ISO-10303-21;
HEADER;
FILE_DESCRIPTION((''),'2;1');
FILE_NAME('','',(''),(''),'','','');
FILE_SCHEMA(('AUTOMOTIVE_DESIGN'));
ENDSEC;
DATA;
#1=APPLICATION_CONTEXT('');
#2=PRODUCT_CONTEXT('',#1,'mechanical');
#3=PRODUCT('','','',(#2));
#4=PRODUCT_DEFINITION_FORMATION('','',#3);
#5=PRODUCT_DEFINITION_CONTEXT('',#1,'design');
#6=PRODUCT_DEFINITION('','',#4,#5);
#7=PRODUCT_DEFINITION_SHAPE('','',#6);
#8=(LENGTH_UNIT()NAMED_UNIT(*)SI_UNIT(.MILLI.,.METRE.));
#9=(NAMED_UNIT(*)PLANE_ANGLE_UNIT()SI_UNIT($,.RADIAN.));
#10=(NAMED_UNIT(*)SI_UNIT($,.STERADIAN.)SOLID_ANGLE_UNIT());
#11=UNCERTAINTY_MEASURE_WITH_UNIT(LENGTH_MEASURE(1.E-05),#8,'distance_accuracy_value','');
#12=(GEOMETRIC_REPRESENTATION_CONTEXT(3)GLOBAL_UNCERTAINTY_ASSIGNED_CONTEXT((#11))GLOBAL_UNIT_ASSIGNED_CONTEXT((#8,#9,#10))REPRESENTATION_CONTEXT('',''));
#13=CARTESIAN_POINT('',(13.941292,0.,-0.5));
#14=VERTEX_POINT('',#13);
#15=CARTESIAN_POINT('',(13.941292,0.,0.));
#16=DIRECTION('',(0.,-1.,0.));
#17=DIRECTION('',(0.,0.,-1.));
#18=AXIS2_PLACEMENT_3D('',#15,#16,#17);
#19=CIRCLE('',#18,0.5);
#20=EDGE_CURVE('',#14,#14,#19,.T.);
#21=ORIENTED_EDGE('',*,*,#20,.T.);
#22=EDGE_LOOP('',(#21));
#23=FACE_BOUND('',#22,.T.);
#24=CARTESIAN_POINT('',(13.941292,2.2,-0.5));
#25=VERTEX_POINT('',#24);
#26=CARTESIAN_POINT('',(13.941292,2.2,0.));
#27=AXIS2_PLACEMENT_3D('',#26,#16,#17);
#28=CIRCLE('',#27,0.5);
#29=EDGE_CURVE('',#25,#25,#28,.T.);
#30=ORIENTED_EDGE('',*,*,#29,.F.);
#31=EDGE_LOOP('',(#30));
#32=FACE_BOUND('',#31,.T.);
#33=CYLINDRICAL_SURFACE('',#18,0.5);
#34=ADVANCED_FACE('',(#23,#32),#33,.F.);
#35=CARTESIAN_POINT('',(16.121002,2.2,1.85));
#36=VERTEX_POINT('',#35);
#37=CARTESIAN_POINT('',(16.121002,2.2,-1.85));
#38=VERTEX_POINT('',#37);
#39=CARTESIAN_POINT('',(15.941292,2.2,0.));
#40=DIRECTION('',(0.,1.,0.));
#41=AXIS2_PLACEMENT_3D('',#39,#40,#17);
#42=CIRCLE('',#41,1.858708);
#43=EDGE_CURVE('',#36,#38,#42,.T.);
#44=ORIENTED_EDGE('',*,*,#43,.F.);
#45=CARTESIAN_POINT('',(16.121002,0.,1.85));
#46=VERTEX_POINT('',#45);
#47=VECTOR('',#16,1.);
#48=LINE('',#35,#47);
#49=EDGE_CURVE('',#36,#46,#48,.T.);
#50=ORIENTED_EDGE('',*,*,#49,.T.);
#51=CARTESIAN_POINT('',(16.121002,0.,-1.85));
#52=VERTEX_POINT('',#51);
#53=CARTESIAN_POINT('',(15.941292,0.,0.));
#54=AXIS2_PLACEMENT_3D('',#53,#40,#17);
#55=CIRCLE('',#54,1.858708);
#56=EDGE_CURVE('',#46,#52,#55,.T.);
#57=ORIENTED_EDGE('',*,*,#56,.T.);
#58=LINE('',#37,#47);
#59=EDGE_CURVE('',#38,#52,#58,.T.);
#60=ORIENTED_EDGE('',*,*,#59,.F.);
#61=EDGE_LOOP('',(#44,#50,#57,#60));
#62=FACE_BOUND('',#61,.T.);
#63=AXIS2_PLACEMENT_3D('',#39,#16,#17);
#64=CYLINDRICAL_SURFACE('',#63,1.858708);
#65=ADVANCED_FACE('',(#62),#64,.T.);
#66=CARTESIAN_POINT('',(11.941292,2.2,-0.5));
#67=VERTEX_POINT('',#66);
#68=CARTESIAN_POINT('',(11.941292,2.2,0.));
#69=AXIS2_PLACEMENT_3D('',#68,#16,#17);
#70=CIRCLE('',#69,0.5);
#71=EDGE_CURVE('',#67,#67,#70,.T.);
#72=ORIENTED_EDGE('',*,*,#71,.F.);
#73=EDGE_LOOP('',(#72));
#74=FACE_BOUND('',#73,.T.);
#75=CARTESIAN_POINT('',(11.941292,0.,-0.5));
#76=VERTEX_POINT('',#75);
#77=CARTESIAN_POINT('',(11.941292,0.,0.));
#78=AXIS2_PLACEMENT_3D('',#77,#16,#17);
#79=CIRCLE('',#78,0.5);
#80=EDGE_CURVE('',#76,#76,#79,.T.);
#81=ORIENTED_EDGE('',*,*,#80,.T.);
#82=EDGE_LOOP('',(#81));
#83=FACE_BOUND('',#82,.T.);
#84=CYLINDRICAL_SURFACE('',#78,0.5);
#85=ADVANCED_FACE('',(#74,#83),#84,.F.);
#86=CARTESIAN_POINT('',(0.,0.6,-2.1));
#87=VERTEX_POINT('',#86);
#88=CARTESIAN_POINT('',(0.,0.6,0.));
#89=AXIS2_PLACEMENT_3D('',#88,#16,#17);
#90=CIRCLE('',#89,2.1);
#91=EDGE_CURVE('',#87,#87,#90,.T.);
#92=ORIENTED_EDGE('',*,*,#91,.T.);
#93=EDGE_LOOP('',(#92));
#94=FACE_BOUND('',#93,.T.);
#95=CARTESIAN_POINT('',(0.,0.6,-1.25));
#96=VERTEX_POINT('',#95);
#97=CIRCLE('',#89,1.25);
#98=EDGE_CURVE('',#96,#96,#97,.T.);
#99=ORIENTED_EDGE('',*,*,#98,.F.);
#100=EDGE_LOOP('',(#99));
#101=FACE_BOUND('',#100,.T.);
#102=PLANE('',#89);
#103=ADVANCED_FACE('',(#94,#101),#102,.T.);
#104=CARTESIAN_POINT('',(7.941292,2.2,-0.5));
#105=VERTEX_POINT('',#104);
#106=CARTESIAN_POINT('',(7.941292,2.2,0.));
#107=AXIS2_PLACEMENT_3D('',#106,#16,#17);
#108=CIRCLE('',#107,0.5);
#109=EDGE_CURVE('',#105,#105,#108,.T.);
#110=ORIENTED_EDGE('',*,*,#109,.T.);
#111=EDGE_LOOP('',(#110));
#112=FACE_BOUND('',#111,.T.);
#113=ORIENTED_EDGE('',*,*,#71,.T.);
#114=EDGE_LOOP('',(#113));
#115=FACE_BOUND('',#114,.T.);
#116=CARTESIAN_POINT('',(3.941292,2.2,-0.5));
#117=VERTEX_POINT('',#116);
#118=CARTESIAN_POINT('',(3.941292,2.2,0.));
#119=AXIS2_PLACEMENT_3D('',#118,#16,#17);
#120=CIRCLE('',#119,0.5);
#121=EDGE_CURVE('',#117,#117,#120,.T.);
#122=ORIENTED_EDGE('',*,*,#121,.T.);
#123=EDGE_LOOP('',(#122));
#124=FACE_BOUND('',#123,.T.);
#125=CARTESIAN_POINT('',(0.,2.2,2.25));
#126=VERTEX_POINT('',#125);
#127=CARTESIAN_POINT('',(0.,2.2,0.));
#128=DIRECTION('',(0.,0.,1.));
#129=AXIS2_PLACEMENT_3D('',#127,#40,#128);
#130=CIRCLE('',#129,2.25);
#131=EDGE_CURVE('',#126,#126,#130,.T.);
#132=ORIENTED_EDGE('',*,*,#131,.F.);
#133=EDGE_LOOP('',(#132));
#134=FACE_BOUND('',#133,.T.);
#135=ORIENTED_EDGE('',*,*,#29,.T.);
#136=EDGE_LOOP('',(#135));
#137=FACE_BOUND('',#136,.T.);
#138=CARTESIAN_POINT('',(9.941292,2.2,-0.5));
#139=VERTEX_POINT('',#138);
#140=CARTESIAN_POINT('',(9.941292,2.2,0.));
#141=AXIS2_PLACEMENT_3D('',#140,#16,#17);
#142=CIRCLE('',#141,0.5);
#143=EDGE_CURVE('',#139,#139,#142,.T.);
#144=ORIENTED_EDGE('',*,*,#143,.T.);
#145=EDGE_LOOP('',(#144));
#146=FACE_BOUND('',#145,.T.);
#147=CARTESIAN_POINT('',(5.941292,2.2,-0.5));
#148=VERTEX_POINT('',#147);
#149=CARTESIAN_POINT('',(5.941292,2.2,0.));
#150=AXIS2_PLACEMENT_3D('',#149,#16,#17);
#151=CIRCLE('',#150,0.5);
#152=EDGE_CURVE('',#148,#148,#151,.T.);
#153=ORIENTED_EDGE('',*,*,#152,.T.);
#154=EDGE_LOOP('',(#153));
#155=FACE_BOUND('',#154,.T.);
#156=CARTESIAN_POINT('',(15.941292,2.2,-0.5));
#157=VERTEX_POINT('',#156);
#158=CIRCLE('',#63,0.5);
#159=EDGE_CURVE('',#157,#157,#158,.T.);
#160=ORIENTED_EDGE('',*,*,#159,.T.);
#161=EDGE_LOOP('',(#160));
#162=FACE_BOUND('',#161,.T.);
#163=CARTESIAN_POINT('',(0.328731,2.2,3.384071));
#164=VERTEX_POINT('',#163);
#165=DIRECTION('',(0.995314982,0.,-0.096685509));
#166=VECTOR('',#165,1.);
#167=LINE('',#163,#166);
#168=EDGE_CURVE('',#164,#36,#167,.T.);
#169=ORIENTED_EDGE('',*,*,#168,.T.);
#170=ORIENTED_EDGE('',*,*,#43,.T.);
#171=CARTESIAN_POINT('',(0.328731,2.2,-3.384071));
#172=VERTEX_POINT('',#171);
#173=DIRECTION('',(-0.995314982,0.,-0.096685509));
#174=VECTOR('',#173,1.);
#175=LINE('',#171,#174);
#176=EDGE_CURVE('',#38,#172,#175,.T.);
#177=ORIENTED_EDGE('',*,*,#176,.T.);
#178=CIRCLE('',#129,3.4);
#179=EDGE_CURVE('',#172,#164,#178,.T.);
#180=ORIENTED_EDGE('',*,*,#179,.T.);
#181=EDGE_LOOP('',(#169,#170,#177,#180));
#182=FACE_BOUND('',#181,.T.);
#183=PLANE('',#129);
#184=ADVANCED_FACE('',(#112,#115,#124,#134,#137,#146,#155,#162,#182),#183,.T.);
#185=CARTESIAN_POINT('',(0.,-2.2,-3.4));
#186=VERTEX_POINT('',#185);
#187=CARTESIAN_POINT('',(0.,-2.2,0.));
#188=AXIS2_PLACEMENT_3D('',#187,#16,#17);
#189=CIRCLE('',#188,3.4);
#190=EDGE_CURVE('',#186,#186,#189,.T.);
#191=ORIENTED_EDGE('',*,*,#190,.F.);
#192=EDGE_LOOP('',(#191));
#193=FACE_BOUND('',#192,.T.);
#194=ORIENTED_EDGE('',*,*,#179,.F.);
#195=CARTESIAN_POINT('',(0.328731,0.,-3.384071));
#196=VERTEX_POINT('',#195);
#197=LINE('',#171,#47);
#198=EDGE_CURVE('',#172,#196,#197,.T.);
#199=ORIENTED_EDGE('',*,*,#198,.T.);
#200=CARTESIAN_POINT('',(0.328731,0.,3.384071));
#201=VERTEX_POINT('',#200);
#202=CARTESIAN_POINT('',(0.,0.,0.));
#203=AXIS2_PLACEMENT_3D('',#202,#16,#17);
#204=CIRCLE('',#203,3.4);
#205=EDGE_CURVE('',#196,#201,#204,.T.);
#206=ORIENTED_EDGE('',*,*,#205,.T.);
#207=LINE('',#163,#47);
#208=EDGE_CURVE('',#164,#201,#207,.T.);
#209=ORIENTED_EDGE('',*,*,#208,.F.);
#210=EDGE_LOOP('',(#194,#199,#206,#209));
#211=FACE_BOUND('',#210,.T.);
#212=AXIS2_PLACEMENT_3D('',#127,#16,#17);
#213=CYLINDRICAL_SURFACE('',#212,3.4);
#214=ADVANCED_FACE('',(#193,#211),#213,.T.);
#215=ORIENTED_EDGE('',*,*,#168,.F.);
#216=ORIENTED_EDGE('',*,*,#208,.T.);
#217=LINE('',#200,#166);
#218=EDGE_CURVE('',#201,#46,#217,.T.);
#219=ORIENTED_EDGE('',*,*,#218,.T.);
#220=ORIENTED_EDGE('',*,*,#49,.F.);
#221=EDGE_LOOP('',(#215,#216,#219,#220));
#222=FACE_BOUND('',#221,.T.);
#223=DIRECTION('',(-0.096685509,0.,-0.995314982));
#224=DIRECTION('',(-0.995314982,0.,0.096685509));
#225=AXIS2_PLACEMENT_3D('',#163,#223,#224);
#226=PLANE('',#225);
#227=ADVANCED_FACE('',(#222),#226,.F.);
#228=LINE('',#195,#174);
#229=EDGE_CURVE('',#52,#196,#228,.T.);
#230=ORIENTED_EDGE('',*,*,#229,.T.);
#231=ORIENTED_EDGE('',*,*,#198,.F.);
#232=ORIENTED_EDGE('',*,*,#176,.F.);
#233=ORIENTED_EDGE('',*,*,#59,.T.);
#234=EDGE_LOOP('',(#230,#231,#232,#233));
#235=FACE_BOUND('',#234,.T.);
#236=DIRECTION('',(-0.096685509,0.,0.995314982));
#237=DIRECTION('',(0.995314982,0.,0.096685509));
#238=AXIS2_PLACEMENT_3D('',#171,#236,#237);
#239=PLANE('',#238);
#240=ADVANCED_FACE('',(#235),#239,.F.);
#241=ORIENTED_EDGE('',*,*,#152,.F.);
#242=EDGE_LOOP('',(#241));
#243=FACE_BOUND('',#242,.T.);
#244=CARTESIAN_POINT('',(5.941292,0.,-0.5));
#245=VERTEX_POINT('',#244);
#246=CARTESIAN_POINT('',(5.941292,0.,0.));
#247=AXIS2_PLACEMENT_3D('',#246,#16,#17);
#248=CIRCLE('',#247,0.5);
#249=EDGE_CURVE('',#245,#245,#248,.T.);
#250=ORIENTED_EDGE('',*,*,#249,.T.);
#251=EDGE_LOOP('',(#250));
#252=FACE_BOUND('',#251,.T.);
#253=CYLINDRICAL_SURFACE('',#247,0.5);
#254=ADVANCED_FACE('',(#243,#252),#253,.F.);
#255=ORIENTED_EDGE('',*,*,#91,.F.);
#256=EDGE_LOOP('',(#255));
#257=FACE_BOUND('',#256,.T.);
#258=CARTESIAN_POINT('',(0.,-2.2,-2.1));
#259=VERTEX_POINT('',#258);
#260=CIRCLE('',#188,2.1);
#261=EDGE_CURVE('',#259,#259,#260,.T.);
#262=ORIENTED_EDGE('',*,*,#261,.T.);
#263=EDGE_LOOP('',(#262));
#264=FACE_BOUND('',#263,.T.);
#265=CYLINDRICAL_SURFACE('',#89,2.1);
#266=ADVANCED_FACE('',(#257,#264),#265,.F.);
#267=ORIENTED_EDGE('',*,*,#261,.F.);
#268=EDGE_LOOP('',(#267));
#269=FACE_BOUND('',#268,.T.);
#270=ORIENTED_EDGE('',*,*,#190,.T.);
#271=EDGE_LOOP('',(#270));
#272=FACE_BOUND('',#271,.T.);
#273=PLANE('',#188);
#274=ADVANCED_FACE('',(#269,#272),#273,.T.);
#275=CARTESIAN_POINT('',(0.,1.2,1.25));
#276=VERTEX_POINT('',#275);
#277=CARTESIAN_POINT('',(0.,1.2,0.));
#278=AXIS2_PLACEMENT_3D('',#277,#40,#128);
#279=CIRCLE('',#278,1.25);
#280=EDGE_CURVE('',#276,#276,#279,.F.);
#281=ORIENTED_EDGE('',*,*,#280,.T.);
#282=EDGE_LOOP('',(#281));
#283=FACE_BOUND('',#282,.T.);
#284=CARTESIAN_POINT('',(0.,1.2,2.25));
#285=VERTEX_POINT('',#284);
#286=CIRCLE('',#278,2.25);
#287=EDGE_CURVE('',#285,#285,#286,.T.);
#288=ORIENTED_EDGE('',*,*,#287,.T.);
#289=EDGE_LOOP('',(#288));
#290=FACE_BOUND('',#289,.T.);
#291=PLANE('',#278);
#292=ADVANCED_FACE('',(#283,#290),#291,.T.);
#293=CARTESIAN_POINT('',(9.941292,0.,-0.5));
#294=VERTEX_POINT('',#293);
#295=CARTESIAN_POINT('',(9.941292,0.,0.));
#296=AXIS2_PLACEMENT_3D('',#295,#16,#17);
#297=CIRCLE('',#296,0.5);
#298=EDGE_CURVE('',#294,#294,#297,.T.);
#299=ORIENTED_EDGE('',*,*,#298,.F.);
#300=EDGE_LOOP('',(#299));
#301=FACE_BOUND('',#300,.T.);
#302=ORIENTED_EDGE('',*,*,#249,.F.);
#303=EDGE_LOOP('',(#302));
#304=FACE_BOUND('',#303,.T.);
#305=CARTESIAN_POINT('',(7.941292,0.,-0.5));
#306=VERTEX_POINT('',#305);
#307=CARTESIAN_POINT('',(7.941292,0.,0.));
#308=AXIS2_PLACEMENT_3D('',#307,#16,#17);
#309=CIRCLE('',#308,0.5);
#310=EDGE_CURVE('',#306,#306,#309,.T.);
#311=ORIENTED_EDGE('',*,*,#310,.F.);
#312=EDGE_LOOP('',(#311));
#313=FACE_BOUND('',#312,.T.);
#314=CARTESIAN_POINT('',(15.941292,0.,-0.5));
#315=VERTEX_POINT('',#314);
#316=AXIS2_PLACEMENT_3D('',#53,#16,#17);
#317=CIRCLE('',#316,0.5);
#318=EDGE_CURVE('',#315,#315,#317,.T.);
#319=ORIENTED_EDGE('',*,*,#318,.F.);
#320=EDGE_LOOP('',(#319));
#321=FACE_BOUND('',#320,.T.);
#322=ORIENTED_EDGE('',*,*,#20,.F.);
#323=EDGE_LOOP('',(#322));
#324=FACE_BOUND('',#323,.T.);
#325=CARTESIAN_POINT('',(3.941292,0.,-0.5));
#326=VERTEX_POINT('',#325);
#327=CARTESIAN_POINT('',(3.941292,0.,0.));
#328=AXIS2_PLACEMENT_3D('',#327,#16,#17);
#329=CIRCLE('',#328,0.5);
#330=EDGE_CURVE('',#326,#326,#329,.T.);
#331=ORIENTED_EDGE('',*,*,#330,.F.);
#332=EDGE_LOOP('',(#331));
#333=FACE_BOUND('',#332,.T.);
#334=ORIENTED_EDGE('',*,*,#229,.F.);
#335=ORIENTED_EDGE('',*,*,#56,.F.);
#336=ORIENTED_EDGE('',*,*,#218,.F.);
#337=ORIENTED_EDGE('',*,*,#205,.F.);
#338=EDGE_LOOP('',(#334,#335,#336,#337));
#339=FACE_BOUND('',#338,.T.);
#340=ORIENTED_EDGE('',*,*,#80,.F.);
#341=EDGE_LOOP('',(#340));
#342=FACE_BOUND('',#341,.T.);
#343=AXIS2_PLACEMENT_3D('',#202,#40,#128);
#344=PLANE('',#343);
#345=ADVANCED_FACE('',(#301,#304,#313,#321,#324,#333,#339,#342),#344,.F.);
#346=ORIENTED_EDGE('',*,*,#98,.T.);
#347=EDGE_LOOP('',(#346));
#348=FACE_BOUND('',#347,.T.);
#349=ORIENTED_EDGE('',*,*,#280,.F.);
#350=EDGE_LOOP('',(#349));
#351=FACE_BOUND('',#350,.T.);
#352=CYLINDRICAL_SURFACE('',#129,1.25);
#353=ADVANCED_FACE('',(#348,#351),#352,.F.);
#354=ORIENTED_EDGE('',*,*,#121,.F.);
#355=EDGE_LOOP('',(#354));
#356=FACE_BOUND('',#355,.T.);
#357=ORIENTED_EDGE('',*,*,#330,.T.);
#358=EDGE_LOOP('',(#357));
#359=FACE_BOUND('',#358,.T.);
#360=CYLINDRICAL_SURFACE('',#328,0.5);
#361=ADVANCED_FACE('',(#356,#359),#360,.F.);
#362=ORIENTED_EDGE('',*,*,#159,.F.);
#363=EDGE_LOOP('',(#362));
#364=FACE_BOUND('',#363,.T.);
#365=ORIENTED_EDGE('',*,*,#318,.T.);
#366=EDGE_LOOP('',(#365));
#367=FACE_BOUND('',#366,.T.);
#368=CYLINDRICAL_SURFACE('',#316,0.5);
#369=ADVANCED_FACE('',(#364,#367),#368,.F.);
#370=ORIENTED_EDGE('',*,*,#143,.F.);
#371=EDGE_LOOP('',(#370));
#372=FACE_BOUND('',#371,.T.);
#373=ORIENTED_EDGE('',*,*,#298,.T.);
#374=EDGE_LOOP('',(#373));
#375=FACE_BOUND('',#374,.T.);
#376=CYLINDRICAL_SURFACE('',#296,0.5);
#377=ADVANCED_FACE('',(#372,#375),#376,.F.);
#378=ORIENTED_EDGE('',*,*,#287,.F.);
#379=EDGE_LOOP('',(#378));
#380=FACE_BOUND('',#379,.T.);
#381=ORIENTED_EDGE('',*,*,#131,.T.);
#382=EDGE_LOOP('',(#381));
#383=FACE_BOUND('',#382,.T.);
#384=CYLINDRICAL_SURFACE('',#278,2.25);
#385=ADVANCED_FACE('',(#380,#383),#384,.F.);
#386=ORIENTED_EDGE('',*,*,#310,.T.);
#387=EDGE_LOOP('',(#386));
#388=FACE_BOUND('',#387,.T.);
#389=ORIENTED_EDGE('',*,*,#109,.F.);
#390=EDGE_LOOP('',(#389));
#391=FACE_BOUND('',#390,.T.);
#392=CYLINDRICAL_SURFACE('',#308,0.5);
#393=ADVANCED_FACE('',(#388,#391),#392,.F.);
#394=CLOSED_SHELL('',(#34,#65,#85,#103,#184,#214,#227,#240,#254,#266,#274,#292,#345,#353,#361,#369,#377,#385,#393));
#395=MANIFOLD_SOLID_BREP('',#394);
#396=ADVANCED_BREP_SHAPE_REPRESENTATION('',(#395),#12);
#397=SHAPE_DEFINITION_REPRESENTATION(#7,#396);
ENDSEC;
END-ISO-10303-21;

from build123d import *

# Parameters (mm, degrees)
BOSS_EXTRU_1_DEPTH              = 2.2
BOSS_EXTRU_2_START              = 2.2
ESQUISSE2_R                     = 3.4
BOSS_EXTRU_2_DEPTH              = 2.2
ESQUISSE3_R                     = 2.1
ENL_V_MAT_EXTRU_1_DEPTH         = 2.8
DIAM_TRE_DU_PER_AGE_2_5_2_5_1_D = 2.5
DIAM_TRE_DU_PER_AGE_1_0_1_1_D   = 1
ESQUISSE8_R                     = 2.25
ENL_V_MAT_EXTRU_2_DEPTH         = 1


with BuildPart() as part:
    # Esquisse1 → Boss.-Extru.1 (new body)
    with BuildSketch(Plane(origin=(0, 0, 0), x_dir=(1, 0, 0), z_dir=(0, 1, 0))):
        with BuildLine():
            Line((0.32873073, 3.384070937), (16.121002055, 1.85))
            ThreePointArc((16.121002055, 1.85), (17.8, 0), (16.121002055, -1.85))
            Line((16.121002055, -1.85), (0.32873073, -3.384070937))
            ThreePointArc((0.32873073, -3.384070937), (-3.4, 0), (0.32873073, 3.384070937))
        make_face()
    extrude(amount=BOSS_EXTRU_1_DEPTH)

    # Esquisse2 → Boss.-Extru.2 (add)
    with BuildSketch(Plane.XZ.offset(BOSS_EXTRU_2_START)):
        with Locations(Location((0, 0, 0), (0, 0, 270))):
            Circle(ESQUISSE2_R)
    extrude(amount=-BOSS_EXTRU_2_DEPTH)

    # Esquisse3 → Enlèv. mat.-Extru.1 (cut)
    with BuildSketch(Plane.XZ.offset(2.2)):
        with Locations(Location((0, 0, 0), (0, 0, 270))):
            Circle(ESQUISSE3_R)
    extrude(amount=-ENL_V_MAT_EXTRU_1_DEPTH, mode=Mode.SUBTRACT)

    # Diamètre du perçage Ø2.5 (2.5)1 (through all)
    with Locations(Plane(origin=(0, 2.2, 0), x_dir=(1, 0, 0), z_dir=(0, 1, 0))):
        with Locations((0, 0)):
            Hole(DIAM_TRE_DU_PER_AGE_2_5_2_5_1_D / 2)

    # Diamètre du perçage Ø1.0 (1)1 (through all)
    with Locations(Plane(origin=(0, 0, 0), x_dir=(-1, 0, 0), z_dir=(0, -1, 0))):
        with Locations((-15.941291918, 0), (-13.941291918, 0), (-11.941291918, 0), (-9.941291918, 0), (-7.941291918, 0), (-5.941291918, 0), (-3.941291918, 0)):
            Hole(DIAM_TRE_DU_PER_AGE_1_0_1_1_D / 2)

    # Esquisse8 → Enlèv. mat.-Extru.2 (cut)
    with BuildSketch(Plane(origin=(0, 2.2, 0), x_dir=(1, 0, 0), z_dir=(0, 1, 0))):
        with Locations(Location((0, 0, 0), (0, 0, 270))):
            Circle(ESQUISSE8_R)
    extrude(amount=-ENL_V_MAT_EXTRU_2_DEPTH, mode=Mode.SUBTRACT)


solid = part.part
